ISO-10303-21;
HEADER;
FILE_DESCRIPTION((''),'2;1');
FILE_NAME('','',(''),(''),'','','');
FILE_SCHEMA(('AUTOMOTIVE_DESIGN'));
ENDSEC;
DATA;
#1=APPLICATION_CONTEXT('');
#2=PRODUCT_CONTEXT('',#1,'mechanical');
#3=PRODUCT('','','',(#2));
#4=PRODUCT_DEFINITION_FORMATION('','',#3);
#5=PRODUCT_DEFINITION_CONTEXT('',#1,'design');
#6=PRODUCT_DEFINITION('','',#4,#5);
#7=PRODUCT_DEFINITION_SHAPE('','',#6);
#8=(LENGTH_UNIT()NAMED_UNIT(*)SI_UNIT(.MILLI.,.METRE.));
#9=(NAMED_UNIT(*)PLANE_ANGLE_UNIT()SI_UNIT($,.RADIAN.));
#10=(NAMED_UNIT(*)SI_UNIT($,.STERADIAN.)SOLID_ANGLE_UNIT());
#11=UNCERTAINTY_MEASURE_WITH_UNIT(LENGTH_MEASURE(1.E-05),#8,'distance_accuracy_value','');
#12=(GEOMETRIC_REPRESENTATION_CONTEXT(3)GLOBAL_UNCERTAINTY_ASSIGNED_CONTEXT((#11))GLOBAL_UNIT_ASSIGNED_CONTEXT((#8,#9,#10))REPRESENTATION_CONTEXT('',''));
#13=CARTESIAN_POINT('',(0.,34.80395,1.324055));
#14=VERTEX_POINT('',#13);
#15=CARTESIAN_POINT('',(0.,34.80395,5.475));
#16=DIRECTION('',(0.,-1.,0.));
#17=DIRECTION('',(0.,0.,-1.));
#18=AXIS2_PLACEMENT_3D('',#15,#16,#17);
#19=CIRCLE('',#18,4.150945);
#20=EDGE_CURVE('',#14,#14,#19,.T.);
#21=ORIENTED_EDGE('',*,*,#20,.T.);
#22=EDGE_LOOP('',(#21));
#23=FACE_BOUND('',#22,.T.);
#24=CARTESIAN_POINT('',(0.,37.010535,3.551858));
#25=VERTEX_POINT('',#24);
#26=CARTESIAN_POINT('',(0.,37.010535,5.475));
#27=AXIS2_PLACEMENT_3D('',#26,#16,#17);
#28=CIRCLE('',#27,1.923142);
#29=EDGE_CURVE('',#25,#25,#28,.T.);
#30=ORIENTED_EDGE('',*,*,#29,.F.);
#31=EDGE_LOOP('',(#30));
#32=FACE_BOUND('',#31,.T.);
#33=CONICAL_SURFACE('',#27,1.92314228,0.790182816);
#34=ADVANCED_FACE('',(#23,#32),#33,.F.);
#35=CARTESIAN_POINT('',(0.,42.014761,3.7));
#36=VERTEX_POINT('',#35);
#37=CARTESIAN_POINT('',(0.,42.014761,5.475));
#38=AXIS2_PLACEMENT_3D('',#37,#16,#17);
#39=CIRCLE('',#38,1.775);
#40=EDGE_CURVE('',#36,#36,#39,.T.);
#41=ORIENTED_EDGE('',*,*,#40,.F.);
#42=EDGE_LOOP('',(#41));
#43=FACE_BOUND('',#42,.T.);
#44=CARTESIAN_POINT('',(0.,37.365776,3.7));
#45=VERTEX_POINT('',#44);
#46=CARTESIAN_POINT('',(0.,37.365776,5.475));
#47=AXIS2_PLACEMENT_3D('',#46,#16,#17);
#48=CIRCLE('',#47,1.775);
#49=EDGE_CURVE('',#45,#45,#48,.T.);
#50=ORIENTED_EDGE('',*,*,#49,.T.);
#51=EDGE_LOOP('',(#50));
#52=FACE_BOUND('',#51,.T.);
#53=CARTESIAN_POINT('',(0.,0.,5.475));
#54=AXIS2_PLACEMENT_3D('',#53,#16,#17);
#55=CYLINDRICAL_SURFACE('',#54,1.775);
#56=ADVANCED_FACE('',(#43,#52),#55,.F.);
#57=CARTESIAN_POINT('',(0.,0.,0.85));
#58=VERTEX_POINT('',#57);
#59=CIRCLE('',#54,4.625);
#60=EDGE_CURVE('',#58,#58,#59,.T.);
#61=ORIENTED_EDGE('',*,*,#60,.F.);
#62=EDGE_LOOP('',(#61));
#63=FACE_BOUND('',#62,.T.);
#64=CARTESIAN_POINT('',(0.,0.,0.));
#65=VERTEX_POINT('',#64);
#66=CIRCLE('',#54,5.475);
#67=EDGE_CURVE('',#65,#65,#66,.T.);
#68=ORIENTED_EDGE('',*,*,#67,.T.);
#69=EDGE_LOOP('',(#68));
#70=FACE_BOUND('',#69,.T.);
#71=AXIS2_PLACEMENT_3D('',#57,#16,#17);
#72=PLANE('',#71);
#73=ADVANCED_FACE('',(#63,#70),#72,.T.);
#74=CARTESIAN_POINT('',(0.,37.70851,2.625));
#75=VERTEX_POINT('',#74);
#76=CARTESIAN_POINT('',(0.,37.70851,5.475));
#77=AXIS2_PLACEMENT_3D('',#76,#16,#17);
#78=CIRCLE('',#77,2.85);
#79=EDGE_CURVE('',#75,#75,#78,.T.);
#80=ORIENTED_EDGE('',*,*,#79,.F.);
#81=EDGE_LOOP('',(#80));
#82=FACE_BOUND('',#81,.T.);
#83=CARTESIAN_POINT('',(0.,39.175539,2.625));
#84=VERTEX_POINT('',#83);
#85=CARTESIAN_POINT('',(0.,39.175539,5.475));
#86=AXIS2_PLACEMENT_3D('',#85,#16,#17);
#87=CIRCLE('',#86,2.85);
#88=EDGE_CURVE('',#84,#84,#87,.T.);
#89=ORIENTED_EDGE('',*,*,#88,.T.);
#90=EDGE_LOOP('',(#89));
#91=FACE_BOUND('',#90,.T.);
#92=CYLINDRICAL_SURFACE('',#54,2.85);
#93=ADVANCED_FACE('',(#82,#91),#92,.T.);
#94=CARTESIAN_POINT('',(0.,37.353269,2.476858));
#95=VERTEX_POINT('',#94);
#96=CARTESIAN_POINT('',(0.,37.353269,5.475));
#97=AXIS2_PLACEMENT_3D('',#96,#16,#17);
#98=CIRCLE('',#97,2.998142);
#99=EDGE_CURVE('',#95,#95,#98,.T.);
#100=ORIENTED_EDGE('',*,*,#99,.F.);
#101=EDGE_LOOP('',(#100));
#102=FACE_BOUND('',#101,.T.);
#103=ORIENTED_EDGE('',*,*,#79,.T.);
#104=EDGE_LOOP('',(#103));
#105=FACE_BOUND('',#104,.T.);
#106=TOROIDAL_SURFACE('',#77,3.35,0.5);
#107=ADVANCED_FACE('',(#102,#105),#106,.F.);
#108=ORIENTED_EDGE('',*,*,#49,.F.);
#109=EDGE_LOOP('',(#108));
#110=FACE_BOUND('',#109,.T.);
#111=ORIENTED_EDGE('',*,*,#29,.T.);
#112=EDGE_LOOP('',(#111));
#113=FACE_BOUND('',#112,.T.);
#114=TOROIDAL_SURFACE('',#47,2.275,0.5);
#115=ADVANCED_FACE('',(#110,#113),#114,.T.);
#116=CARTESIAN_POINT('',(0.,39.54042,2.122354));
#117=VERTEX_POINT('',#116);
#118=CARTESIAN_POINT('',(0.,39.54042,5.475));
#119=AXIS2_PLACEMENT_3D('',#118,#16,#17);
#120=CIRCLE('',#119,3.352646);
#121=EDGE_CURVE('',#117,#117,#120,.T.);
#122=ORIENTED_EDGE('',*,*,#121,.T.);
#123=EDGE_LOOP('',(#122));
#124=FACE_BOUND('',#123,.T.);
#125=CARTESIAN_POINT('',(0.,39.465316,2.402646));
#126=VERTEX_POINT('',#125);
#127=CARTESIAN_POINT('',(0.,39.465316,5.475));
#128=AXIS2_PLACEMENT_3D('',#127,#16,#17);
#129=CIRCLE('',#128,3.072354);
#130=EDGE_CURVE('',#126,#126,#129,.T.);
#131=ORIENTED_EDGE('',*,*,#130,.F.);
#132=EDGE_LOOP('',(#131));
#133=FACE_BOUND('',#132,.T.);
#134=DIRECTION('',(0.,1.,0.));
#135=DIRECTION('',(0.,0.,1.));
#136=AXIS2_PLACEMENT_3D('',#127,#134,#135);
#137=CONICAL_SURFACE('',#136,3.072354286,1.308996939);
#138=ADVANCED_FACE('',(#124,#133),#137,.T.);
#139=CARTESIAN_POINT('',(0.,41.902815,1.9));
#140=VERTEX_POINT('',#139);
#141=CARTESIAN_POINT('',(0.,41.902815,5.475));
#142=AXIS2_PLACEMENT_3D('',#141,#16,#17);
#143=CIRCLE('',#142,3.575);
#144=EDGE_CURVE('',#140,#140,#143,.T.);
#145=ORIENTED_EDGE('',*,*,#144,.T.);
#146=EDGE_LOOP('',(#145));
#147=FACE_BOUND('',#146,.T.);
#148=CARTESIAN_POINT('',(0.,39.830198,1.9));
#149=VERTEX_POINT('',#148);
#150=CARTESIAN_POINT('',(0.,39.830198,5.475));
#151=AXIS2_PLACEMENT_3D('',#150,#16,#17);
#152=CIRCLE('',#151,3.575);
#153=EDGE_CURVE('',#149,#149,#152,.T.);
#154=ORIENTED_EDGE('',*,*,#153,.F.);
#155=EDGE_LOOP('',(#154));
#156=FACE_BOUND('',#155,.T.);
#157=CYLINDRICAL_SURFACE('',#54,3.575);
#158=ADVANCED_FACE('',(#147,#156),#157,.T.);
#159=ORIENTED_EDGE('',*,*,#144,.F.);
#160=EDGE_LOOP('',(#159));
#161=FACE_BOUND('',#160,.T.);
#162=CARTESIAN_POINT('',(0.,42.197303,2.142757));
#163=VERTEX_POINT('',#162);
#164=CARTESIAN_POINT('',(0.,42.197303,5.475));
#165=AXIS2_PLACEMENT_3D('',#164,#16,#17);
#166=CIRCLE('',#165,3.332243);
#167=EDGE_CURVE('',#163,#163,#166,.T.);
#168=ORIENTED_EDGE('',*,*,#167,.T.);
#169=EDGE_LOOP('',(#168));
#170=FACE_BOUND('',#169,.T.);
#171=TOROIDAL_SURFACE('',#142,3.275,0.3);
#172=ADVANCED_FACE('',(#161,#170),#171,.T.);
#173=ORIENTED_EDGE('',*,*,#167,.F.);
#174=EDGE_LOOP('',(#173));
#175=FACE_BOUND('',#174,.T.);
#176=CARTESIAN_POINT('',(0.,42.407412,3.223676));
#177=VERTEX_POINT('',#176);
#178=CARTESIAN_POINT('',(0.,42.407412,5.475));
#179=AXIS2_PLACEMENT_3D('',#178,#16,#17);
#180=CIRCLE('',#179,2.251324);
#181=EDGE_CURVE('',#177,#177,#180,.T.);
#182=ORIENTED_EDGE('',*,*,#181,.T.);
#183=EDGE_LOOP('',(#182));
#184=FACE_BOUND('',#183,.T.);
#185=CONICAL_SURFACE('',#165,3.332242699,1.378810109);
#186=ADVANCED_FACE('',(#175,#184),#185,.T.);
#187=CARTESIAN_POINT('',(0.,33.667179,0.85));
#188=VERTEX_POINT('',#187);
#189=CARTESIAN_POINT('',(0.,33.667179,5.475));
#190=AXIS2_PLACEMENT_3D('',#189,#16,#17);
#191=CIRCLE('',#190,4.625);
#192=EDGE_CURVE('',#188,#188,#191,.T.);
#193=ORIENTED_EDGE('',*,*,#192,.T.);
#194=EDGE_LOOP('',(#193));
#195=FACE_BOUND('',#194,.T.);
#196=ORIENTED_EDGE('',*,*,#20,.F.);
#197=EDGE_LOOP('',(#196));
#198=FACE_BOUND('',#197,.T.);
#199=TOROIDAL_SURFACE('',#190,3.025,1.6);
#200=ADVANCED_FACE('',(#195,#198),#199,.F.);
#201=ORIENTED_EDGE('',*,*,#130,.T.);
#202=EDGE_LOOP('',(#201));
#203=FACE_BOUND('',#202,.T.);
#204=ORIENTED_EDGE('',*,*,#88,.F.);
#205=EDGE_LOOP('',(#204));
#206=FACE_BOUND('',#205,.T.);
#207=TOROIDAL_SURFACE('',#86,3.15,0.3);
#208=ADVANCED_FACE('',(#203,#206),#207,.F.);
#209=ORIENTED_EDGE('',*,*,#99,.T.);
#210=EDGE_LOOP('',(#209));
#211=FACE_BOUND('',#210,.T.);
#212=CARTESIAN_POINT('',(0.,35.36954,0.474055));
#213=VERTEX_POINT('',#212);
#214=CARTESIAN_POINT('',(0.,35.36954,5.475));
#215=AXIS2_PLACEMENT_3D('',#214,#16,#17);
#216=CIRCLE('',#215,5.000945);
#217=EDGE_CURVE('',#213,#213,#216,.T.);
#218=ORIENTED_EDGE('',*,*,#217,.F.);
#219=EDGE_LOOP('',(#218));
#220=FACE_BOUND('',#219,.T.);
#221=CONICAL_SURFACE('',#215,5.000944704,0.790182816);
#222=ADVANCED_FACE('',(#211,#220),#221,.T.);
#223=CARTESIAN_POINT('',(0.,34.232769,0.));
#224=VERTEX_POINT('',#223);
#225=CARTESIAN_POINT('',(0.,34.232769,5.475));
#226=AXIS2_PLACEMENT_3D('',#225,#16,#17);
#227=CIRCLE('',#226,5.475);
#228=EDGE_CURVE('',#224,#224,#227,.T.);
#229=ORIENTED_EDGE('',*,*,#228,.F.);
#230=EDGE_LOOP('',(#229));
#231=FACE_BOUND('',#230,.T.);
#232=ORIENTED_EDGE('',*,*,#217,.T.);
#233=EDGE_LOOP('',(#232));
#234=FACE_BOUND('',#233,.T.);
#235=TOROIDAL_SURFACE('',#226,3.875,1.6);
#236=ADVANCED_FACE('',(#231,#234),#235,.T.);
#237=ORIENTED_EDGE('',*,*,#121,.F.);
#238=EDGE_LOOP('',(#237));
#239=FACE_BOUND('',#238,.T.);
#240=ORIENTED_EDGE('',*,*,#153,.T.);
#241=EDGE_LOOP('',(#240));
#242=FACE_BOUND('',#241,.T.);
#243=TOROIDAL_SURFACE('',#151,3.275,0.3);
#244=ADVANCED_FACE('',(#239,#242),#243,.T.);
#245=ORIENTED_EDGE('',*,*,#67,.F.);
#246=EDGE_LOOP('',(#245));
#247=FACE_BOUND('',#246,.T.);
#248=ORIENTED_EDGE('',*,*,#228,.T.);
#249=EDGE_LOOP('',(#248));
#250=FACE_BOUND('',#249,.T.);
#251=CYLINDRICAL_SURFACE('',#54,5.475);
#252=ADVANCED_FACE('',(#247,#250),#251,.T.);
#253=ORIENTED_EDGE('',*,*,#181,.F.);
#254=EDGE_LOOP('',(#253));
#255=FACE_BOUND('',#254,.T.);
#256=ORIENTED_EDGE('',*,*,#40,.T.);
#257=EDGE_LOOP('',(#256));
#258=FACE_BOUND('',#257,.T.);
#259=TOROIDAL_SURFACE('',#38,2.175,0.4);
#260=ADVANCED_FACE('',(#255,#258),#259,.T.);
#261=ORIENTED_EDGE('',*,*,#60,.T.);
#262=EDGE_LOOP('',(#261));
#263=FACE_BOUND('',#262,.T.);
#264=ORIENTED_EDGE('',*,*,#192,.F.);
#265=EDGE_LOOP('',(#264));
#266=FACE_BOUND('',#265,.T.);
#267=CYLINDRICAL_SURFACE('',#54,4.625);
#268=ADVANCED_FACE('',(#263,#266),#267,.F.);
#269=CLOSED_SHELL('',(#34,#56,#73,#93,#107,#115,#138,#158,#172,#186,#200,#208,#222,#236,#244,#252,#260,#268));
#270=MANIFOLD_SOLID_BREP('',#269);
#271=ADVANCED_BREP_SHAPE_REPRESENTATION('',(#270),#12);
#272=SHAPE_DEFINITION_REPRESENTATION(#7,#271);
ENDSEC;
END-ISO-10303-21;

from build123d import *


with BuildPart() as part:
    # Sketch1 → Revolve1 (revolve)
    with BuildSketch(Plane(origin=(0, 0, 0), x_dir=(0, 0, -1), z_dir=(1, 0, 0))):
        with BuildLine():
            Line((0, 0), (0, 34.232769388))
            ThreePointArc((0, 34.232769388), (-0.123261782, 34.848597478), (-0.474055296, 35.369540484))
            Line((-0.474055296, 35.369540484), (-2.47685772, 37.353268599))
            ThreePointArc((-2.47685772, 37.353268599), (-2.586480693, 37.516063288), (-2.625, 37.708509566))
            Line((-2.625, 37.708509566), (-2.625, 39.175538739))
            ThreePointArc((-2.625, 39.175538739), (-2.563006002, 39.358167168), (-2.402645714, 39.465316487))
            Line((-2.402645714, 39.465316487), (-2.122354286, 39.540420349))
            ThreePointArc((-2.122354286, 39.540420349), (-1.961993998, 39.647569668), (-1.9, 39.830198096))
            Line((-1.9, 39.830198096), (-1.9, 41.902814528))
            ThreePointArc((-1.9, 41.902814528), (-1.968512625, 42.093637994), (-2.142757301, 42.197302683))
            Line((-2.142757301, 42.197302683), (-3.223676402, 42.407412072))
            ThreePointArc((-3.223676402, 42.407412072), (-3.554431288, 42.323411032), (-3.7, 42.014761198))
            Line((-3.7, 42.014761198), (-3.7, 37.365776148))
            ThreePointArc((-3.7, 37.365776148), (-3.661480693, 37.17332987), (-3.55185772, 37.010535181))
            Line((-3.55185772, 37.010535181), (-1.324055296, 34.803949923))
            ThreePointArc((-1.324055296, 34.803949923), (-0.973261782, 34.283006917), (-0.85, 33.667178827))
            Line((-0.85, 33.667178827), (-0.85, 0))
            Line((-0.85, 0), (0, 0))
        make_face()
    revolve(axis=Axis((0, 0, 5.475), (0, 1, 0)))


solid = part.part
